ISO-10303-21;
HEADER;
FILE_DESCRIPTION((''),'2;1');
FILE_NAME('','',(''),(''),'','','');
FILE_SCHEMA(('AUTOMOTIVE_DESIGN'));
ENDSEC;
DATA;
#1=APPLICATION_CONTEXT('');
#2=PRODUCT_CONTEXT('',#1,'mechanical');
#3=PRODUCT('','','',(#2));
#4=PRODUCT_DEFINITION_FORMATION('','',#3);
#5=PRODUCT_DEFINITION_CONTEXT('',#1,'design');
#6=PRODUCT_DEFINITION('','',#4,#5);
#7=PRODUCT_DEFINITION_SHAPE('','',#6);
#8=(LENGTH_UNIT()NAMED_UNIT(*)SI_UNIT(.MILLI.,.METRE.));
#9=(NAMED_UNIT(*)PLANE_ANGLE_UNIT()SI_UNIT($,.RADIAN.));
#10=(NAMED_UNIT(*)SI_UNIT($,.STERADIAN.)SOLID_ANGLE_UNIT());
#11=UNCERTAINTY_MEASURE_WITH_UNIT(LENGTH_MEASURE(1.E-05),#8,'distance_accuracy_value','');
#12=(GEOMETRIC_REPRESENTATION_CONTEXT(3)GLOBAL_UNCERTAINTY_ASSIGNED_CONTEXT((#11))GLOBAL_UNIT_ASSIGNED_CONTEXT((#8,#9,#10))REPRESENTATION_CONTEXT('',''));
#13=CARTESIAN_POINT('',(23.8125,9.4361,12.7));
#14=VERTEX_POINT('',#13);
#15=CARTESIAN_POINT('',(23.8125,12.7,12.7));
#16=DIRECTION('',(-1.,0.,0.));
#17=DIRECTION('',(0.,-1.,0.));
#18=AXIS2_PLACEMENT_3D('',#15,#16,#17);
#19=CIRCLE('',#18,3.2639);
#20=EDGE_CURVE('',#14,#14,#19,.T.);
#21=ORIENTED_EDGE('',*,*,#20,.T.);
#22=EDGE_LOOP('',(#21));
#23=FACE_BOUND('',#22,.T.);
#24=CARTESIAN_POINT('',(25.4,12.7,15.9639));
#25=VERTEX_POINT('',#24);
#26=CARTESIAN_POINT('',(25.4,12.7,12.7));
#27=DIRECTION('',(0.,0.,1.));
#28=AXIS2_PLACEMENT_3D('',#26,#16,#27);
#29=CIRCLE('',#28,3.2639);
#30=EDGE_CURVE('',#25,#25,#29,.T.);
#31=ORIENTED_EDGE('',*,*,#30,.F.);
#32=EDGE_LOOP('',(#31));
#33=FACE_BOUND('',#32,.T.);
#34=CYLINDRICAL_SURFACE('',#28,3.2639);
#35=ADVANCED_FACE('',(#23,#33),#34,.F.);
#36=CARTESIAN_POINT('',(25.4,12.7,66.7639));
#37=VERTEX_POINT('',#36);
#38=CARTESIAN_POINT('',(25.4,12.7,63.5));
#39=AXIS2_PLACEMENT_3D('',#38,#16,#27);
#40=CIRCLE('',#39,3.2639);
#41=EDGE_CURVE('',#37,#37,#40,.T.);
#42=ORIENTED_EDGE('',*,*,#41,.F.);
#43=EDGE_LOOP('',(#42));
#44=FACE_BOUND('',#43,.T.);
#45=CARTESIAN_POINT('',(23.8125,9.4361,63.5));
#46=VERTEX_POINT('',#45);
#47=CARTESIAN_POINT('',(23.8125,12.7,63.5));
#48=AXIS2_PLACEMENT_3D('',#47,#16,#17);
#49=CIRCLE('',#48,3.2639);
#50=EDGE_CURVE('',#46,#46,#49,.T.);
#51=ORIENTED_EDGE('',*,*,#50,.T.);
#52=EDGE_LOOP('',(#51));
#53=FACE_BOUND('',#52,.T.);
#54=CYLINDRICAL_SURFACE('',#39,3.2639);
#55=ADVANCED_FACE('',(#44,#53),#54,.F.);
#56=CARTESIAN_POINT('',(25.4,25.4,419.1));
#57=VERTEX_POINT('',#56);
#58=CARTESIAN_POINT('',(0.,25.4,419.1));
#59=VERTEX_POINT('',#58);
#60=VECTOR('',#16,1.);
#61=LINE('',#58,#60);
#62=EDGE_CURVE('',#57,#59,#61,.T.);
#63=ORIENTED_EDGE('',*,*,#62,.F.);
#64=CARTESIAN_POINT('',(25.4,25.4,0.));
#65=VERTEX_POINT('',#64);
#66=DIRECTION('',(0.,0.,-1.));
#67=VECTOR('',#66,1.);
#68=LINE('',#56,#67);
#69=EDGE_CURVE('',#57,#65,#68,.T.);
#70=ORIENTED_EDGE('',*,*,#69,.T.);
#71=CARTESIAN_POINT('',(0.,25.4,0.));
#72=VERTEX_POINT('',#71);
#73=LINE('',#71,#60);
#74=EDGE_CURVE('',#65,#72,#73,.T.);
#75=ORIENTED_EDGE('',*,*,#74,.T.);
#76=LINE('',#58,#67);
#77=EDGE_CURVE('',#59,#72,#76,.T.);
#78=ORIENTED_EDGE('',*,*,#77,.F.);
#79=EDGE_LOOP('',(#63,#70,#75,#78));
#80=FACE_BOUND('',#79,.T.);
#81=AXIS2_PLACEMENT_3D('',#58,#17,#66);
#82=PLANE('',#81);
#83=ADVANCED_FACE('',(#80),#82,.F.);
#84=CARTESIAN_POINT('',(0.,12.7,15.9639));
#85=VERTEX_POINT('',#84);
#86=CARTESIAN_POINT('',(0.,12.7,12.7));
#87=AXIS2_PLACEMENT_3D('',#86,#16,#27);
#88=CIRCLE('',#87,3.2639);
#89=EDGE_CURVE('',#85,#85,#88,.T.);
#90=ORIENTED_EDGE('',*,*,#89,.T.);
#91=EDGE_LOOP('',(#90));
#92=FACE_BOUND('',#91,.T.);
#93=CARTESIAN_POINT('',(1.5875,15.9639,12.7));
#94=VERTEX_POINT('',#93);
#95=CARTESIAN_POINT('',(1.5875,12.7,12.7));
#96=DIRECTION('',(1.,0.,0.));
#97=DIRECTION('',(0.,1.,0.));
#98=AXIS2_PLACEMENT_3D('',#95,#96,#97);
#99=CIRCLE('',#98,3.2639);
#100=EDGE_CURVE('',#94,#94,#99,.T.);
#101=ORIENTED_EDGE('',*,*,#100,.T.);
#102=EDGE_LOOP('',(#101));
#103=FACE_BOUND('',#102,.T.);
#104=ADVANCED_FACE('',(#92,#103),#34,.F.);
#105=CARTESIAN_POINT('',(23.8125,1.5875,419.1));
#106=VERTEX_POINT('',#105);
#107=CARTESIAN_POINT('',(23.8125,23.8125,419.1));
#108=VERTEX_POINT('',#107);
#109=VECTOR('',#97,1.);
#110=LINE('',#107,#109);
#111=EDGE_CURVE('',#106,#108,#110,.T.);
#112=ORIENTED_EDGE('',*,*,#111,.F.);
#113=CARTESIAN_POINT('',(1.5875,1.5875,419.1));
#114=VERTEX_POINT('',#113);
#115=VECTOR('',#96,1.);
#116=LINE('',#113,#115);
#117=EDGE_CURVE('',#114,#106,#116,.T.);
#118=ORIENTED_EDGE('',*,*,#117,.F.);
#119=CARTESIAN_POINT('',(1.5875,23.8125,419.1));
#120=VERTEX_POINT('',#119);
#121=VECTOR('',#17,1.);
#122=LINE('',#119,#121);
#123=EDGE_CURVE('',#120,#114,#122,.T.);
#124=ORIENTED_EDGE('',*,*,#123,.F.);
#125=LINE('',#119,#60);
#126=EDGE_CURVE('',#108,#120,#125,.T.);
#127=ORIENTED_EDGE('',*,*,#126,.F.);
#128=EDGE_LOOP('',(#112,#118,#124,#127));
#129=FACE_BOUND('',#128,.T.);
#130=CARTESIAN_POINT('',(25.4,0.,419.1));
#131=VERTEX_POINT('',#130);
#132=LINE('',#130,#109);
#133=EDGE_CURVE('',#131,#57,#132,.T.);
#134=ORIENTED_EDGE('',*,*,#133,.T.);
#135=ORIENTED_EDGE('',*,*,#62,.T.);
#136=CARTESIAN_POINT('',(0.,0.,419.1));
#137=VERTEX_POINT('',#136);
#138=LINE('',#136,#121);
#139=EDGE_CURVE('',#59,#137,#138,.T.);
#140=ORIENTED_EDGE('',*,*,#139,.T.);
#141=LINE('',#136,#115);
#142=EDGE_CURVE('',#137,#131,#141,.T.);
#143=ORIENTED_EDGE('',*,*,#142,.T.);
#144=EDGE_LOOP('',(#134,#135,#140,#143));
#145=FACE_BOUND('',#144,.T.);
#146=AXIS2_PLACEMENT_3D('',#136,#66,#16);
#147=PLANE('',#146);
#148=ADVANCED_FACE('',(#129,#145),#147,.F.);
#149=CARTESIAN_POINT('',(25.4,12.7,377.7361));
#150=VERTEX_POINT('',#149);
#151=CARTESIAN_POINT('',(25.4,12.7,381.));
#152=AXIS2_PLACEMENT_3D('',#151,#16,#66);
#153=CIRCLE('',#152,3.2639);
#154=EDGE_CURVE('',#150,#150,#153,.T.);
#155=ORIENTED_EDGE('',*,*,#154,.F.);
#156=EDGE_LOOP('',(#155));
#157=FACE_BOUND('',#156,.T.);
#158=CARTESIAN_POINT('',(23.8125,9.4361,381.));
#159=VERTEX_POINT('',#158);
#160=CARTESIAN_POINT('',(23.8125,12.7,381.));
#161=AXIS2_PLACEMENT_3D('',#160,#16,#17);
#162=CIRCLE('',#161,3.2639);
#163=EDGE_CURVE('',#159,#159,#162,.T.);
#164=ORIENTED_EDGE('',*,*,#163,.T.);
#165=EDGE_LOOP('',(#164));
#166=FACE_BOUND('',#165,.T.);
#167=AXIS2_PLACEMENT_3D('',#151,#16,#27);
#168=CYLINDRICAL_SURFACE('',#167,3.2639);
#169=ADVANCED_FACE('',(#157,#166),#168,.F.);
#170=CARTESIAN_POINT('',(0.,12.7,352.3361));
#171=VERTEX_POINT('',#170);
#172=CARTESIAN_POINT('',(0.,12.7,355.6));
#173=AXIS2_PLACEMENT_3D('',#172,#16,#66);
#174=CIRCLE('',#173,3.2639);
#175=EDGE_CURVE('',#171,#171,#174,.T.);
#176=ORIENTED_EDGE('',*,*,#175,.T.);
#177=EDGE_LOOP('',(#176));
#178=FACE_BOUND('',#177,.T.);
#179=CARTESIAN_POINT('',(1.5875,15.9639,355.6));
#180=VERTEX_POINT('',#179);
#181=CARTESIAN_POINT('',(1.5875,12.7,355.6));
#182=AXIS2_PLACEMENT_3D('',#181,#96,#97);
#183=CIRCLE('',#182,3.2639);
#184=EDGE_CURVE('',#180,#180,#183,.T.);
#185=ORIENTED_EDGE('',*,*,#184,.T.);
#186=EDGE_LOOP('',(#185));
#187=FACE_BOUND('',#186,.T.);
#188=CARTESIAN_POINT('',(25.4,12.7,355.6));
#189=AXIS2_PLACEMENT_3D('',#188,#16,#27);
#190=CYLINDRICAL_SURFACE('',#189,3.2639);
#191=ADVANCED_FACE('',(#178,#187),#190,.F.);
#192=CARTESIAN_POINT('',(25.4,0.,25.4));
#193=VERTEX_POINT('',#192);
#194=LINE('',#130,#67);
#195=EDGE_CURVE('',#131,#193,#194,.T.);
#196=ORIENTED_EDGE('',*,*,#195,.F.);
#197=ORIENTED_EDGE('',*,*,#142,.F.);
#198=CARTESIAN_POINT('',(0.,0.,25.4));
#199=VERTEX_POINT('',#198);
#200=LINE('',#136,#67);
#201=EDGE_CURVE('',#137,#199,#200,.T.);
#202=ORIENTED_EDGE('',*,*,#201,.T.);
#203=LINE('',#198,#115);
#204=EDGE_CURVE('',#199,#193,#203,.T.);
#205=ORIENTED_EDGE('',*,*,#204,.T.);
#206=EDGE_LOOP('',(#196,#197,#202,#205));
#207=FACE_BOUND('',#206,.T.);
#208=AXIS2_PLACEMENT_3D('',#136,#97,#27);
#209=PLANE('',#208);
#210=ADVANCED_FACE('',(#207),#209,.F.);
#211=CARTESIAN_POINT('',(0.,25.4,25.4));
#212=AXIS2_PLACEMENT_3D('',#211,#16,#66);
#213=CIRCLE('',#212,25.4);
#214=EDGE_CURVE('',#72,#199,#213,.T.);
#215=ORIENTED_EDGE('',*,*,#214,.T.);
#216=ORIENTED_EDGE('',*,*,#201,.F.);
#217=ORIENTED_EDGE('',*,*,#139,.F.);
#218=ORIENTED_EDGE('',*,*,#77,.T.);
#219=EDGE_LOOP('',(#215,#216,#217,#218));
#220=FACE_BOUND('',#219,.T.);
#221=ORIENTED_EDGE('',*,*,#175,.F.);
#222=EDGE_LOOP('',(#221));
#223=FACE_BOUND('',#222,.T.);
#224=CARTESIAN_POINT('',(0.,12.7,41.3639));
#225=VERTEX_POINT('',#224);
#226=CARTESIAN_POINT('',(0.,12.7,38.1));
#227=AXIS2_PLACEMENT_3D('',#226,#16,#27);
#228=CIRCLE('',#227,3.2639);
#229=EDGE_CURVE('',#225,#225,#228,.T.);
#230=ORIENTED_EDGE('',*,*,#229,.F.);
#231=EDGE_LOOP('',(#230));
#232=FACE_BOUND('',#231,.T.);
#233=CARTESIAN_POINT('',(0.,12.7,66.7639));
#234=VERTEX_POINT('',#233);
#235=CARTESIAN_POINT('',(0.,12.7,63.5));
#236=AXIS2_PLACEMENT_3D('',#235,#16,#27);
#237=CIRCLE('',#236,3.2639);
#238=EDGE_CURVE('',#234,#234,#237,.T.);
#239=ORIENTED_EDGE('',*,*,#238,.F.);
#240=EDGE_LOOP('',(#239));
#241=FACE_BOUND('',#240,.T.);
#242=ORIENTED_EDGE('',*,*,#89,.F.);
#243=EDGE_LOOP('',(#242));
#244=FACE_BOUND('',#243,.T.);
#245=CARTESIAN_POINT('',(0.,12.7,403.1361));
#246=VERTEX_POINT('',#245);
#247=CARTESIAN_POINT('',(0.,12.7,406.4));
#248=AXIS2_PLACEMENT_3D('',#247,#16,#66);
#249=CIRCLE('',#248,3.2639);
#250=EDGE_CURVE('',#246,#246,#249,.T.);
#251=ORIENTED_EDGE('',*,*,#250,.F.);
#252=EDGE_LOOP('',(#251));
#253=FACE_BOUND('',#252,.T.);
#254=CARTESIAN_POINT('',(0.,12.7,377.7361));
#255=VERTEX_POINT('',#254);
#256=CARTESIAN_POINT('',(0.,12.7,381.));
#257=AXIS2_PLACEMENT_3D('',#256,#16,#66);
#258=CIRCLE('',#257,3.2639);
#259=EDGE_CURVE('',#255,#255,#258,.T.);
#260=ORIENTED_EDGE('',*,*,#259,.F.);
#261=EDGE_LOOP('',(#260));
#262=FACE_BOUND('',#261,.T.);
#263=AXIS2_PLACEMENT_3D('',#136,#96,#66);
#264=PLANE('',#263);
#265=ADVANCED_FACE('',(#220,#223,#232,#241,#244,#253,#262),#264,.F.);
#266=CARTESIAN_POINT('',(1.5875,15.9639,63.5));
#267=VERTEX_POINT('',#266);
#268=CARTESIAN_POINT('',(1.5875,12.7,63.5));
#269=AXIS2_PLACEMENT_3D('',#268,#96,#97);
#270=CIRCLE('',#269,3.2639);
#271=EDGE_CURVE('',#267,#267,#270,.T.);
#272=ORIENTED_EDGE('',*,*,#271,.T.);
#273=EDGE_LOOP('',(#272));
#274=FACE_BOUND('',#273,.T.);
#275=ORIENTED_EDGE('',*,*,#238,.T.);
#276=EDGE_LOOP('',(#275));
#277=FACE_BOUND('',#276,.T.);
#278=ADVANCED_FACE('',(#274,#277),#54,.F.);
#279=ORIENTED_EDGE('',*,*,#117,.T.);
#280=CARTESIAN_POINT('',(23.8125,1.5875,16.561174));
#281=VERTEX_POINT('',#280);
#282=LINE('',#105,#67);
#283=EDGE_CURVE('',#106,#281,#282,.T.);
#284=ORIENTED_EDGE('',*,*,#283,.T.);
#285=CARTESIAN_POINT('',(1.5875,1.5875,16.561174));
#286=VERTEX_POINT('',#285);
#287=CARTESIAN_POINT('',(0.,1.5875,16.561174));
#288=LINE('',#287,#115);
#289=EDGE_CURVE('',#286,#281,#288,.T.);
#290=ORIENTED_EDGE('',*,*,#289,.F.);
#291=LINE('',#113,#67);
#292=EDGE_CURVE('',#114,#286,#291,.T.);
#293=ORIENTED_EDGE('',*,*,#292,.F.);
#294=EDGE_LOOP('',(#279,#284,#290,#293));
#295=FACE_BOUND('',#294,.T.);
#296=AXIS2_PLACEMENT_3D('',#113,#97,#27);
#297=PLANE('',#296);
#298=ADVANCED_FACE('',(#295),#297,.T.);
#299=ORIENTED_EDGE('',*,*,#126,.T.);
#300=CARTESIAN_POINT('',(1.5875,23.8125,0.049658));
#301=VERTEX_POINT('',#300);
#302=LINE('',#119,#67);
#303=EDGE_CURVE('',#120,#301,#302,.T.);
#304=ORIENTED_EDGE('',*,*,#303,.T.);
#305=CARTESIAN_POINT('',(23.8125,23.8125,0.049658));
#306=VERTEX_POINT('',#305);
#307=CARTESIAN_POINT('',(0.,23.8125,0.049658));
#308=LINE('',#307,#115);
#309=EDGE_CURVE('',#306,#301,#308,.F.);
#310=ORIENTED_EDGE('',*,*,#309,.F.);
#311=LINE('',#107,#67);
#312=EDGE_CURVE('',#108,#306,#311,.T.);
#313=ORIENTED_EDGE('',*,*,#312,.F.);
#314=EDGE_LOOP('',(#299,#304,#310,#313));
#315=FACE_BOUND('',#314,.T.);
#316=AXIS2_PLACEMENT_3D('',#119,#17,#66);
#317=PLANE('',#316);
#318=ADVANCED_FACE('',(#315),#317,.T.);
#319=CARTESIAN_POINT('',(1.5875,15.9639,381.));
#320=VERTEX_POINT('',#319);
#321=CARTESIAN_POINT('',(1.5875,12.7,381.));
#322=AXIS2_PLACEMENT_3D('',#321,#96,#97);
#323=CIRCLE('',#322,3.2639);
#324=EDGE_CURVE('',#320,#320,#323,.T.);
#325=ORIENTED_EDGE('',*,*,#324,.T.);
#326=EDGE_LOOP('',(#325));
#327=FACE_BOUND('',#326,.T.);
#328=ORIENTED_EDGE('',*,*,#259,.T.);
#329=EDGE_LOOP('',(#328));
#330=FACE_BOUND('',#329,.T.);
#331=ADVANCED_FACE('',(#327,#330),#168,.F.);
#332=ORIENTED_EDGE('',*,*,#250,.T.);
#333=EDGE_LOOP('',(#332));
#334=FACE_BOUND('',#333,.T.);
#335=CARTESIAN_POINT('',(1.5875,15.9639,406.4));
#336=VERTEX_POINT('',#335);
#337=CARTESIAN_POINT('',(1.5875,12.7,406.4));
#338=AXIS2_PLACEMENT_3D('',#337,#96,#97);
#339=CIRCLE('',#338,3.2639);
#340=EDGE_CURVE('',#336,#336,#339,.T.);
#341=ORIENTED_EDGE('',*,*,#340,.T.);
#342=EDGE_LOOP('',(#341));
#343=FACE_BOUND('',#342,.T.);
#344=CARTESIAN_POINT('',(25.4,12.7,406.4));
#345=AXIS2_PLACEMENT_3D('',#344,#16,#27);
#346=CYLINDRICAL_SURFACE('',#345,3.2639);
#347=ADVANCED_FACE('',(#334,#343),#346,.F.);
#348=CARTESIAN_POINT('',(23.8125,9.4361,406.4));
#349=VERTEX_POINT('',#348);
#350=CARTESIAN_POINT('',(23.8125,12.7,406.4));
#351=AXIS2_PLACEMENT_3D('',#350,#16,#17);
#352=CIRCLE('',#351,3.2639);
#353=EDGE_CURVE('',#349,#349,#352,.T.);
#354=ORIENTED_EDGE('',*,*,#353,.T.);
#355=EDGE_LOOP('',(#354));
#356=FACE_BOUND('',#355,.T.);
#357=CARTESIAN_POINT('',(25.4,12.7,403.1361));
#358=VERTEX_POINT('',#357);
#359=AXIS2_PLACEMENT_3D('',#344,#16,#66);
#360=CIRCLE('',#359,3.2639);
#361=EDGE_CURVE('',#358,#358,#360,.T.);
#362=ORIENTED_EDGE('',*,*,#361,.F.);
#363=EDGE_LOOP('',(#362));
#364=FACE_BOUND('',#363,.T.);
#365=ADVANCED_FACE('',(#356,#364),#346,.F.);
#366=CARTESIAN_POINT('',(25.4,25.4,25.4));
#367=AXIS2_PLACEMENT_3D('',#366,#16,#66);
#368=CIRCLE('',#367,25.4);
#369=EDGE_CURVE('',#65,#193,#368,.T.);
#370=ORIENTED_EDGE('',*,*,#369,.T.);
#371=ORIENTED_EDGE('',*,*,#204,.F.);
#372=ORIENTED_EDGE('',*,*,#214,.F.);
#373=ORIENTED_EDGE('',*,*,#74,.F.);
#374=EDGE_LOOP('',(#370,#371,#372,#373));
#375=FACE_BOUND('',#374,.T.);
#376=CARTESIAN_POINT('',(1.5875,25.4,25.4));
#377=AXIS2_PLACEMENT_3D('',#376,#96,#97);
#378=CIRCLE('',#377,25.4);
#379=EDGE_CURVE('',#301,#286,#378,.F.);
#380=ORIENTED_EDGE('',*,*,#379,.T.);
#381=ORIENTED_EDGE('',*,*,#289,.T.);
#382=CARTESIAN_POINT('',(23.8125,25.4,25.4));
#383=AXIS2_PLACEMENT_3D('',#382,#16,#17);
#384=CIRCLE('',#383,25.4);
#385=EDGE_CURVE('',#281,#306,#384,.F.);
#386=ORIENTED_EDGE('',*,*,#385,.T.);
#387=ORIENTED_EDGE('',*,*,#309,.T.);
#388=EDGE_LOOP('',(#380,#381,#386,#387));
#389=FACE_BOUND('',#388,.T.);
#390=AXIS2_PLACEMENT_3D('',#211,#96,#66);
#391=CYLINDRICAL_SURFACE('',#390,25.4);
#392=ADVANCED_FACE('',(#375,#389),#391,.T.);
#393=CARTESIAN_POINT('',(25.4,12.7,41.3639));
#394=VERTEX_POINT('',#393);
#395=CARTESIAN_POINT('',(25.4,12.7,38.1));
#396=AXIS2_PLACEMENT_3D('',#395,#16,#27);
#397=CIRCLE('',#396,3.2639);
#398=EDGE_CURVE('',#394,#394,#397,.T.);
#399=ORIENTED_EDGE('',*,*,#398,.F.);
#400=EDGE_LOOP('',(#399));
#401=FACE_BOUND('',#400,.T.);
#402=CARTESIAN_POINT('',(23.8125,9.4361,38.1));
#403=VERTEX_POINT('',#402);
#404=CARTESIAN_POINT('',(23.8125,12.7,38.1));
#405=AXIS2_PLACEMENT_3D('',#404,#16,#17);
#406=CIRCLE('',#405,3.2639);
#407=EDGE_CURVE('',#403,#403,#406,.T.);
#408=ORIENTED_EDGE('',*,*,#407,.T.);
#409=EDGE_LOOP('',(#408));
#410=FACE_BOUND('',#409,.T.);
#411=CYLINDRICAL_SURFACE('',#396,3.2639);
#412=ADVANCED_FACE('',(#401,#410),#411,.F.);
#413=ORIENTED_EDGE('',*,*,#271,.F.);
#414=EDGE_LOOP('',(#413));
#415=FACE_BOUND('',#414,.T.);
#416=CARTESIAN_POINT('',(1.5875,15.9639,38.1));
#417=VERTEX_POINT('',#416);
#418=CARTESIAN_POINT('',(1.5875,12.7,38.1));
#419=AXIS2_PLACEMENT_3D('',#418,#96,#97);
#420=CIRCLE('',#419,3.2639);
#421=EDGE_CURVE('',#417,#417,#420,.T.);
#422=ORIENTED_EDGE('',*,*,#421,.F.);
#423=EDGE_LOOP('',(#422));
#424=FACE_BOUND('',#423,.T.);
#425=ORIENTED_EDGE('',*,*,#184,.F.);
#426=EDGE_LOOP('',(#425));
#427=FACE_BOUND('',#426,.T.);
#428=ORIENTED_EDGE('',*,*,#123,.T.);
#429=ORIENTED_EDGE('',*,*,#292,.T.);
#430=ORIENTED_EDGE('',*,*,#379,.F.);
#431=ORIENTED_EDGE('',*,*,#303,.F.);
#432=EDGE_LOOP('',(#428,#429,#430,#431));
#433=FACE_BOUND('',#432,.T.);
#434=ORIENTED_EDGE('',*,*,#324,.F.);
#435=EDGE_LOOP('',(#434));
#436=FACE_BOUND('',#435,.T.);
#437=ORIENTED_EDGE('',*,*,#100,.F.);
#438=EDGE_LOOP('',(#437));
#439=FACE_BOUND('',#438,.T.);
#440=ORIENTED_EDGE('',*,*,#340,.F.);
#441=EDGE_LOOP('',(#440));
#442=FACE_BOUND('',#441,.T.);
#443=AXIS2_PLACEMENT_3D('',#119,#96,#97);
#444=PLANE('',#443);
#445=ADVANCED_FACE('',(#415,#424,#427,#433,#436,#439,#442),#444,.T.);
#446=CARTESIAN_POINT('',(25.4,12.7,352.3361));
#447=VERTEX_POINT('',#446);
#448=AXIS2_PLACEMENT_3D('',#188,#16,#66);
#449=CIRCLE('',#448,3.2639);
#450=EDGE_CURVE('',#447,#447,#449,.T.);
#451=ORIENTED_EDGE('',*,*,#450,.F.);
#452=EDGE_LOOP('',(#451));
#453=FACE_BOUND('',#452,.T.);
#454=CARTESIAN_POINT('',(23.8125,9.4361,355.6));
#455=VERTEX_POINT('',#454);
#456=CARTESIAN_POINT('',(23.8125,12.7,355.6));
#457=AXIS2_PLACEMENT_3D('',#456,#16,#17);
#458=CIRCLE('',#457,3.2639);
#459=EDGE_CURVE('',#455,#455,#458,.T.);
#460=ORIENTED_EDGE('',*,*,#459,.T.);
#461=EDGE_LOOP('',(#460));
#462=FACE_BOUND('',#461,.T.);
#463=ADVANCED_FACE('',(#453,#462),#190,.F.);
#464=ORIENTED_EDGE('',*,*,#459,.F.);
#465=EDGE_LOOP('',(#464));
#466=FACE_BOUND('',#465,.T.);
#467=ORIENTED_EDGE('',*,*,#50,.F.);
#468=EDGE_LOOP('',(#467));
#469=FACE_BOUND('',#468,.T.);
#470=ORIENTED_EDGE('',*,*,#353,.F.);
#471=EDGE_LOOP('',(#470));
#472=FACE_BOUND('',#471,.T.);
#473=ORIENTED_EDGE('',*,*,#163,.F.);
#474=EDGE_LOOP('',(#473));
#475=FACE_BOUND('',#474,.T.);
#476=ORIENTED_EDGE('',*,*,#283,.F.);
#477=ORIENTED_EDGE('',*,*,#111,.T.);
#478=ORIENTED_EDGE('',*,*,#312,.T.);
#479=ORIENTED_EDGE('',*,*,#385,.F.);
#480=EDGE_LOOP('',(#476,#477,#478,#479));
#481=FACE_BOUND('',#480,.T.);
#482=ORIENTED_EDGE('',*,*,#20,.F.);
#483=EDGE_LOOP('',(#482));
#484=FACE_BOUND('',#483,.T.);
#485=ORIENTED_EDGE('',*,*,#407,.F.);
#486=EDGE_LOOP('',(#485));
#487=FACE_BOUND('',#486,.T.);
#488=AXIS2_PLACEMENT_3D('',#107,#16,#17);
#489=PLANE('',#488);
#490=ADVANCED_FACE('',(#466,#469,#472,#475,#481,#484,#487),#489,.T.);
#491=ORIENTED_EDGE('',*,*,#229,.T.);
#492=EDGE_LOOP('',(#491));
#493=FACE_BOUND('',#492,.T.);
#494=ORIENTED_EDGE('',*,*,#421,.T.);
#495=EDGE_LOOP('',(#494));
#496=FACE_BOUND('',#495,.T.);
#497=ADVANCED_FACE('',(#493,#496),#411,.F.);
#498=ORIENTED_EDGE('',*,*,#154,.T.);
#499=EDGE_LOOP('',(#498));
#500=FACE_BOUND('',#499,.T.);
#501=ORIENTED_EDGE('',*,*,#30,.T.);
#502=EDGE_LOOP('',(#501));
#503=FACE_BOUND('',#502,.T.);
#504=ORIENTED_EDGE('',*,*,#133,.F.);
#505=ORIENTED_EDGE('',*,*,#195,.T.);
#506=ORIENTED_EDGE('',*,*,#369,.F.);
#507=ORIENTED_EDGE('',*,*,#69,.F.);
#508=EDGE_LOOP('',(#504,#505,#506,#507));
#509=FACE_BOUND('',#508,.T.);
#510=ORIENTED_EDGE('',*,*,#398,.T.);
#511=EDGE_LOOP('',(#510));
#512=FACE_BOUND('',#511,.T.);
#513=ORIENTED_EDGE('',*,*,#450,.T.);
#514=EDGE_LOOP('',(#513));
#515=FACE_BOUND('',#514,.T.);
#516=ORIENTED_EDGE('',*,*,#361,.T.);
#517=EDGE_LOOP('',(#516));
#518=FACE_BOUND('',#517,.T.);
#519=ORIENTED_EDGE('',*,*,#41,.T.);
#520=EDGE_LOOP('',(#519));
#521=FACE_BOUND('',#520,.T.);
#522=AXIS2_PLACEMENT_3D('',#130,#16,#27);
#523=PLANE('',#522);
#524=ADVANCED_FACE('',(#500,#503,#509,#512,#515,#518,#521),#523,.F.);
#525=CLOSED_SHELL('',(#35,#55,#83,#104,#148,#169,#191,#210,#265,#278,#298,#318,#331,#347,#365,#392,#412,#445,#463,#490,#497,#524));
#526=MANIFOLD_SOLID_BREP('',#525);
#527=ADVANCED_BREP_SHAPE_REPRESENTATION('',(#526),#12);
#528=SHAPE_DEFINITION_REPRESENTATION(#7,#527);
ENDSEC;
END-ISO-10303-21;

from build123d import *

# Parameters (mm, degrees)
SKETCH1_W           = 25.4
SKETCH1_H           = 25.4
SKETCH1_W_2         = 22.225
SKETCH1_H_2         = 22.225
BOSS_EXTRUDE1_DEPTH = 419.1
SKETCH2_R           = 3.2639
CUT_EXTRUDE1_DEPTH  = 421.636577107
CUT_EXTRUDE2_DEPTH  = 421.636577107


with BuildPart() as part:
    # Sketch1 → Boss-Extrude1 (new body)
    with BuildSketch(Plane.XY):
        with Locations((12.7, 12.7)):
            Rectangle(SKETCH1_W, SKETCH1_H)
        with Locations((12.7, 12.7)):
            Rectangle(SKETCH1_W_2, SKETCH1_H_2, mode=Mode.SUBTRACT)
    extrude(amount=BOSS_EXTRUDE1_DEPTH)

    # Sketch2 → Cut-Extrude1 (cut, through all)
    with BuildSketch(Plane.ZY):
        with Locations((12.7, 12.7)):
            Circle(SKETCH2_R)
        with Locations((38.1, 12.7)):
            Circle(SKETCH2_R)
        with Locations((63.5, 12.7)):
            Circle(SKETCH2_R)
        with Locations(Location((355.6, 12.7, 0), (0, 0, 270))):
            Circle(SKETCH2_R)
        with Locations(Location((381, 12.7, 0), (0, 0, 270))):
            Circle(SKETCH2_R)
        with Locations(Location((406.4, 12.7, 0), (0, 0, 270))):
            Circle(SKETCH2_R)
    extrude(amount=-CUT_EXTRUDE1_DEPTH, mode=Mode.SUBTRACT)

    # Sketch3 → Cut-Extrude2 (cut, through all)
    with BuildSketch(Plane(origin=(25.4, 0, 0), x_dir=(0, 0, -1), z_dir=(1, 0, 0))):
        with BuildLine():
            Line((0, 25.4), (0, 0))
            Line((0, 0), (-25.4, 0))
            ThreePointArc((-25.4, 0), (-7.439487758, 7.439487758), (0, 25.4))
        make_face()
    extrude(amount=-CUT_EXTRUDE2_DEPTH, mode=Mode.SUBTRACT)


solid = part.part
